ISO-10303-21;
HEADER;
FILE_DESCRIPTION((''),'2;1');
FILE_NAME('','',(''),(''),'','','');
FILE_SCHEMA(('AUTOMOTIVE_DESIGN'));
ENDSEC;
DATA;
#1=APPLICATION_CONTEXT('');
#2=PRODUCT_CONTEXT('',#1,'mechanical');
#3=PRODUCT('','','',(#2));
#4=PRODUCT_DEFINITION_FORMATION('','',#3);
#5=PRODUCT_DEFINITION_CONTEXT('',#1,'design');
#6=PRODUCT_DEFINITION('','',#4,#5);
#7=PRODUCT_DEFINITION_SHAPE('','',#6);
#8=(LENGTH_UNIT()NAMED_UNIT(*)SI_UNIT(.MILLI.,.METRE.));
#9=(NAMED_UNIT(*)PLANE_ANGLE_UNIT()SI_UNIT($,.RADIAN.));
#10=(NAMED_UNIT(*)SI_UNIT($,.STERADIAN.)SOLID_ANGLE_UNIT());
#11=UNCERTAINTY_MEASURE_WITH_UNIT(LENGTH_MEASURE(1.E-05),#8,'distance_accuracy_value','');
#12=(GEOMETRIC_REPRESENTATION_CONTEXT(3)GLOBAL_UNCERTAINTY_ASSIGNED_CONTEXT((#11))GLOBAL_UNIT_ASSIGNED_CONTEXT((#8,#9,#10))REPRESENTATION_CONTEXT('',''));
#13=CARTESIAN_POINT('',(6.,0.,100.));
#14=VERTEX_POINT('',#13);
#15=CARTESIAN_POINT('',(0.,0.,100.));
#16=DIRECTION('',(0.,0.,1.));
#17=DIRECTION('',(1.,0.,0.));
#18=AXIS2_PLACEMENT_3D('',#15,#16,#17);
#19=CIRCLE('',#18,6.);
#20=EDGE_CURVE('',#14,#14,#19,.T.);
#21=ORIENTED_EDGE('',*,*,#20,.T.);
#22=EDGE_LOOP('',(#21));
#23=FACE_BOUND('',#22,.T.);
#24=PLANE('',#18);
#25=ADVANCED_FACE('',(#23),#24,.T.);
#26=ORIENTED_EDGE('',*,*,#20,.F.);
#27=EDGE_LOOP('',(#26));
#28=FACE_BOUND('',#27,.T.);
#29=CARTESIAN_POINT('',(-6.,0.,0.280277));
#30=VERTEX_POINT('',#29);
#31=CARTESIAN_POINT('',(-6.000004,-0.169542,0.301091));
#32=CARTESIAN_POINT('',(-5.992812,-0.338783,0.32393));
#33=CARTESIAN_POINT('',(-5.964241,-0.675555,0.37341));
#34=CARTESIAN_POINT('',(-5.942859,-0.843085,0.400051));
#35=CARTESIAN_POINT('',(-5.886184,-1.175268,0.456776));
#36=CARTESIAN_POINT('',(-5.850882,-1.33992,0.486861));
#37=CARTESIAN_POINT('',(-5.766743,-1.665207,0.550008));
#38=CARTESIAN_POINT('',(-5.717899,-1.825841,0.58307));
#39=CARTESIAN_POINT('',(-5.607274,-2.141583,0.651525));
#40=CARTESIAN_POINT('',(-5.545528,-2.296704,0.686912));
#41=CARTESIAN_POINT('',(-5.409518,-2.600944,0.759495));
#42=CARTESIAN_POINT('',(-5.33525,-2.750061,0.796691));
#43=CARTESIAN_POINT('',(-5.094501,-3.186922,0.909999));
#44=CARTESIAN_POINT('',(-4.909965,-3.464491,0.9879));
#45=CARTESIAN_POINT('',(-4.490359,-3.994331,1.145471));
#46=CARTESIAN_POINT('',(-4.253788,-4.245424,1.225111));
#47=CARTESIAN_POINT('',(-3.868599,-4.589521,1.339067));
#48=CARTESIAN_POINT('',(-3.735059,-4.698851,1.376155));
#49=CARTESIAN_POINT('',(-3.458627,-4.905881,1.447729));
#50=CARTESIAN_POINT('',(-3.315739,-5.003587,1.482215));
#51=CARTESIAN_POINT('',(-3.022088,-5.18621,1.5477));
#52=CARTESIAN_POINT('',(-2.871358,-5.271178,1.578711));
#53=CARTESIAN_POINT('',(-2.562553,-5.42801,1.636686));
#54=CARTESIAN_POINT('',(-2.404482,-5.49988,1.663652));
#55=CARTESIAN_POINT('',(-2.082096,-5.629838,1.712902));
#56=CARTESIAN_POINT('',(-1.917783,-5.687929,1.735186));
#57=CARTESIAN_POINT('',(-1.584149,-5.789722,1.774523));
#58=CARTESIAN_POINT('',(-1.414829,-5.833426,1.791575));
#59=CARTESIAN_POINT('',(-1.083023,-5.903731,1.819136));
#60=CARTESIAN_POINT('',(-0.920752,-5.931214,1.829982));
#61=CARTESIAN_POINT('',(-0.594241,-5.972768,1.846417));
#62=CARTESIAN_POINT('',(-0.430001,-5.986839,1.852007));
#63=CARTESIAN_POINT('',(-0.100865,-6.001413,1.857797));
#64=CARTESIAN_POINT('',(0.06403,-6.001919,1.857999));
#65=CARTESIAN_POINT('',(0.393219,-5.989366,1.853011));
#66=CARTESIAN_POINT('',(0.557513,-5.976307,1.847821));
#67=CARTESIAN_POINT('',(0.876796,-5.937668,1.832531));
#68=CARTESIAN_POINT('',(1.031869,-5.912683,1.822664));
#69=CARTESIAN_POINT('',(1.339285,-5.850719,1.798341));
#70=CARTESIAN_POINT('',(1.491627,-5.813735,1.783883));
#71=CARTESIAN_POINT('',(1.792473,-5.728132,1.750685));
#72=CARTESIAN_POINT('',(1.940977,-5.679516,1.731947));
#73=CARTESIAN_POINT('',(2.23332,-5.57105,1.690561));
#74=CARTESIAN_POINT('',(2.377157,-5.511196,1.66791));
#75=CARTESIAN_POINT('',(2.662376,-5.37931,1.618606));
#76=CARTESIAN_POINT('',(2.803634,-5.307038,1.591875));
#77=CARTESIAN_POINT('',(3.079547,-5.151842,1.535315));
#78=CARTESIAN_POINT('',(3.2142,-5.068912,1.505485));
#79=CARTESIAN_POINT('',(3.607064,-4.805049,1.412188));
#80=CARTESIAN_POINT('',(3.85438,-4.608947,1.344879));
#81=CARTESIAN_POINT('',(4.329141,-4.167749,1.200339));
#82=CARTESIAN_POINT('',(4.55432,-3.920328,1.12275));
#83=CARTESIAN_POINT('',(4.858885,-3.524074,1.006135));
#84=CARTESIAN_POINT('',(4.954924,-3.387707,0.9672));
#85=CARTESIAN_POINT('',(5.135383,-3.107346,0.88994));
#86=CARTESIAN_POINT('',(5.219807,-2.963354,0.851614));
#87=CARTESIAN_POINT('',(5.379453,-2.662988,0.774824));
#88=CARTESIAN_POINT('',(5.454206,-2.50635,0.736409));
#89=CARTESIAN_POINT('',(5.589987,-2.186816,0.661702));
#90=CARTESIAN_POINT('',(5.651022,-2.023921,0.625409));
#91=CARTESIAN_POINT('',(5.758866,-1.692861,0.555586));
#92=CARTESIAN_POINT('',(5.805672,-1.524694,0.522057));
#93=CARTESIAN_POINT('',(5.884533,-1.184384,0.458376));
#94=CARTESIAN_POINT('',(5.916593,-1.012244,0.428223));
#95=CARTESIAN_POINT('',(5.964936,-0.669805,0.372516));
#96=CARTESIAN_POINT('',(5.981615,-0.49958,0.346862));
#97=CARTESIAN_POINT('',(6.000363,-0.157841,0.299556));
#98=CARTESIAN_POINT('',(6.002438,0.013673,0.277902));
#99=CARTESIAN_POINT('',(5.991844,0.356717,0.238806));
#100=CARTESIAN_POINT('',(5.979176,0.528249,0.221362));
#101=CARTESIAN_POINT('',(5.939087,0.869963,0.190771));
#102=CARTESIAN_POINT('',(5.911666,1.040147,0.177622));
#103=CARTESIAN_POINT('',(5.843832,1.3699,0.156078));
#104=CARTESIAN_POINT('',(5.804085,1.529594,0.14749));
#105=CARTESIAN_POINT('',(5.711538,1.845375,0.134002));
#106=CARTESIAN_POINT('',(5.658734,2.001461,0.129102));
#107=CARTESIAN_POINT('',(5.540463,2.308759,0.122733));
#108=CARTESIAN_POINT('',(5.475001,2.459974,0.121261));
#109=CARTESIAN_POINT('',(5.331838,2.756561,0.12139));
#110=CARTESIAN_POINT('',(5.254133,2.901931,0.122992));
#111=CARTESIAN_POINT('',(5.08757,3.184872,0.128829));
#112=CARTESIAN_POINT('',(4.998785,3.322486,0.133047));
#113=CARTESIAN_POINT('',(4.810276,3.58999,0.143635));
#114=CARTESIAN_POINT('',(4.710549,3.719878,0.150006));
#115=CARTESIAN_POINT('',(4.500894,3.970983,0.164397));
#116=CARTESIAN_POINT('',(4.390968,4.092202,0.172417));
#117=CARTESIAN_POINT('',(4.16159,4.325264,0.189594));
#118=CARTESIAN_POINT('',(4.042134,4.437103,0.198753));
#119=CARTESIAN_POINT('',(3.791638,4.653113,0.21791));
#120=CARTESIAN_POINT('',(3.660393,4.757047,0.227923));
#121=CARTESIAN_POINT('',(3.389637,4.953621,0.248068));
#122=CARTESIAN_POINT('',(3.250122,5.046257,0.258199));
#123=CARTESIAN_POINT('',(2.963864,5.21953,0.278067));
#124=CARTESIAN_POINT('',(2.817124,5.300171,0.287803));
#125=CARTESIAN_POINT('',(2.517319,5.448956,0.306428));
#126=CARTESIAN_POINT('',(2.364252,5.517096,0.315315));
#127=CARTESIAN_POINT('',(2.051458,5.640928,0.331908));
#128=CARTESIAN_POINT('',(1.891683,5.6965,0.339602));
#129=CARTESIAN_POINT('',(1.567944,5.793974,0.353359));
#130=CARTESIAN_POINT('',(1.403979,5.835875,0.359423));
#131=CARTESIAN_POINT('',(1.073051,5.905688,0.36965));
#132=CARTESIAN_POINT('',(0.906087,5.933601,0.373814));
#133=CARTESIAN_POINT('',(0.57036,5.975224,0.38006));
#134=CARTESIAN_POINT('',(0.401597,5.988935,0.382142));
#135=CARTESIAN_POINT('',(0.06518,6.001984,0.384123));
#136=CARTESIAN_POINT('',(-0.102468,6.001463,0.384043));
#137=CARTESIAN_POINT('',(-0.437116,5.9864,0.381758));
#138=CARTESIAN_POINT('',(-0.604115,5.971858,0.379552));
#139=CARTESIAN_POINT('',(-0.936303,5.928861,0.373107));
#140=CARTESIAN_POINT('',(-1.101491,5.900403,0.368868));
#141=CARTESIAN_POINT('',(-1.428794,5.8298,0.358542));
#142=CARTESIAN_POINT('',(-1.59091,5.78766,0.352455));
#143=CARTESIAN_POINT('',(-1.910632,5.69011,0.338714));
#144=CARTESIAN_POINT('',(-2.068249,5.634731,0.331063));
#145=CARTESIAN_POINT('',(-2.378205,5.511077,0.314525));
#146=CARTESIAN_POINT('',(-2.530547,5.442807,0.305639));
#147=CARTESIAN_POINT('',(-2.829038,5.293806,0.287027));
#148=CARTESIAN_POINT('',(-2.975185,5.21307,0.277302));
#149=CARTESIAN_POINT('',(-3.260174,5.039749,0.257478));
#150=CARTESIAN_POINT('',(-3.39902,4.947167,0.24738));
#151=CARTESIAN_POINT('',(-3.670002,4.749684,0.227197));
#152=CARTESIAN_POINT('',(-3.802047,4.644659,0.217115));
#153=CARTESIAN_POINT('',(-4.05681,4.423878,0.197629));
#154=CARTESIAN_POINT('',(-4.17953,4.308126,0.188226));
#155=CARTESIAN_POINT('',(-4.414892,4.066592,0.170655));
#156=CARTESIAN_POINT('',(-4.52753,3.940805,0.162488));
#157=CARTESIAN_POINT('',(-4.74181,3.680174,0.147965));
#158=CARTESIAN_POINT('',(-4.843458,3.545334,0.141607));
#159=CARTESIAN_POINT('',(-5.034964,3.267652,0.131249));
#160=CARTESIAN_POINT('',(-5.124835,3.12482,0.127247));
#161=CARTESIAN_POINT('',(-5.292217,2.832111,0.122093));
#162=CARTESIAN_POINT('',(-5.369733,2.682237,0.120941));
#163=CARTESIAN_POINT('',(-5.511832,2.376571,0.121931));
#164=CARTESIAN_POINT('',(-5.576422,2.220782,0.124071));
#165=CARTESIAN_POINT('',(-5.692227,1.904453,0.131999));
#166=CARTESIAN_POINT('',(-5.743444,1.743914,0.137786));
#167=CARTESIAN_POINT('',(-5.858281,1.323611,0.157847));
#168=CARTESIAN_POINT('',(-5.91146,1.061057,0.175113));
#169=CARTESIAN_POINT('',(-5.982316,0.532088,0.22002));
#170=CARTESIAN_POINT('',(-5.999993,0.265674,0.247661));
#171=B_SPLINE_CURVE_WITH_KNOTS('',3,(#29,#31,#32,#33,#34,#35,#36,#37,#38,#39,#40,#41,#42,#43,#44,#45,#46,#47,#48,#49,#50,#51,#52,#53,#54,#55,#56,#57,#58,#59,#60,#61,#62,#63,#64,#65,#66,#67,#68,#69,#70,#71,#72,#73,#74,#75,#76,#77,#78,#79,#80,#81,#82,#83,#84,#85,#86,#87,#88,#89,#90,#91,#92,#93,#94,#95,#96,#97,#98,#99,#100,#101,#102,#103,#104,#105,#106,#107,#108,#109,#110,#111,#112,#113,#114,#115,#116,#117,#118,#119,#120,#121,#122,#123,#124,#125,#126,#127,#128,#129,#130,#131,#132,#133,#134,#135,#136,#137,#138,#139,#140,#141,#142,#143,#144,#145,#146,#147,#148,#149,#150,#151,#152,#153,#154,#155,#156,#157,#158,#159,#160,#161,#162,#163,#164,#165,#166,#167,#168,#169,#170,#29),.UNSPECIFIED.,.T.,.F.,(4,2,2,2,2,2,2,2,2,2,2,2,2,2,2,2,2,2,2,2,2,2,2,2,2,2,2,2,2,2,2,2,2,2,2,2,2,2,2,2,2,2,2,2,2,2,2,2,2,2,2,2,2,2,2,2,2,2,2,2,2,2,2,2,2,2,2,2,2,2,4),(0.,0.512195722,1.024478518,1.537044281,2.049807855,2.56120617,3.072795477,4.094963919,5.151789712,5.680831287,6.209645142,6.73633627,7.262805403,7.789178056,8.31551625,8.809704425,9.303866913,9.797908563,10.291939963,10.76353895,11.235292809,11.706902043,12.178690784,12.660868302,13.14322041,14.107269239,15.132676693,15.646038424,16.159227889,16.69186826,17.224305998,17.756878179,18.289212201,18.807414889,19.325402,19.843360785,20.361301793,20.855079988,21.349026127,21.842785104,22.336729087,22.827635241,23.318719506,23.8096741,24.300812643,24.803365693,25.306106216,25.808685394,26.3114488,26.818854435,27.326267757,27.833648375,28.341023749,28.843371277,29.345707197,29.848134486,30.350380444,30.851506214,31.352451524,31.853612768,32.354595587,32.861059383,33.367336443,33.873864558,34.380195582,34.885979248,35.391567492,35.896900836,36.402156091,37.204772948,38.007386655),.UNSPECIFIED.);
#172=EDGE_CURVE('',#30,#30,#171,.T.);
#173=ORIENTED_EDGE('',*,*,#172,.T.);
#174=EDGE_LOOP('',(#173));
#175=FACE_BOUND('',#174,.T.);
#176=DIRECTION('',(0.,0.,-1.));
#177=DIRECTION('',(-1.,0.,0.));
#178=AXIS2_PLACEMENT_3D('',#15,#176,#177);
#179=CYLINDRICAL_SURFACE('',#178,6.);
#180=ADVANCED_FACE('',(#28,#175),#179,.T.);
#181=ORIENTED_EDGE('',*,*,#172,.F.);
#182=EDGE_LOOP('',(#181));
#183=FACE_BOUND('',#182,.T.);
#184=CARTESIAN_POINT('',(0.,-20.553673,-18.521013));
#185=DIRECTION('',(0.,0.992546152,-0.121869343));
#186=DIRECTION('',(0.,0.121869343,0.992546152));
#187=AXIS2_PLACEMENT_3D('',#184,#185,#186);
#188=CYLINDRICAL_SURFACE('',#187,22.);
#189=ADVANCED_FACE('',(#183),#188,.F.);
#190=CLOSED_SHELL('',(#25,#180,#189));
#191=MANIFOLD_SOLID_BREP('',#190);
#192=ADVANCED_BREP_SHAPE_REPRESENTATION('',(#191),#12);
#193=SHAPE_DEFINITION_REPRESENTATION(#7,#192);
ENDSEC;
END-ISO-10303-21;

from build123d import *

# Parameters (mm, degrees)
SKETCH1_R           = 6
BOSS_EXTRUDE1_DEPTH = 100
CUT_EXTRUDE3_REACH  = 103.605


with BuildPart() as part:
    # Sketch1 → Boss-Extrude1 (new body)
    with BuildSketch(Plane.XY):
        Circle(SKETCH1_R)
    extrude(amount=BOSS_EXTRUDE1_DEPTH)

    # Sketch4 → Cut-Extrude3 (cut, up to next)
    with BuildSketch(Plane(origin=(0, 5.910887179, -0.725765687), x_dir=(1, 0, 0), z_dir=(0, 0.9925461516413233, -0.12186934340513747)), mode=Mode.PRIVATE) as cut_extrude3_sk1:
        with BuildLine():
            Line((-6, -0.278187617), (-6, 1.737673663))
            Line((-6, 1.737673663), (6, 1.737673663))
            Line((6, 1.737673663), (6, -0.278187617))
            ThreePointArc((6, -0.278187617), (0, -1.112177128), (-6, -0.278187617))
        make_face()
    cut_extrude3_tool1 = extrude(cut_extrude3_sk1.sketch, amount=-CUT_EXTRUDE3_REACH, mode=Mode.PRIVATE) & part.part
    add(cut_extrude3_tool1.solids().sort_by_distance((0, 5.857419, -1.161228))[0], mode=Mode.SUBTRACT)


solid = part.part
